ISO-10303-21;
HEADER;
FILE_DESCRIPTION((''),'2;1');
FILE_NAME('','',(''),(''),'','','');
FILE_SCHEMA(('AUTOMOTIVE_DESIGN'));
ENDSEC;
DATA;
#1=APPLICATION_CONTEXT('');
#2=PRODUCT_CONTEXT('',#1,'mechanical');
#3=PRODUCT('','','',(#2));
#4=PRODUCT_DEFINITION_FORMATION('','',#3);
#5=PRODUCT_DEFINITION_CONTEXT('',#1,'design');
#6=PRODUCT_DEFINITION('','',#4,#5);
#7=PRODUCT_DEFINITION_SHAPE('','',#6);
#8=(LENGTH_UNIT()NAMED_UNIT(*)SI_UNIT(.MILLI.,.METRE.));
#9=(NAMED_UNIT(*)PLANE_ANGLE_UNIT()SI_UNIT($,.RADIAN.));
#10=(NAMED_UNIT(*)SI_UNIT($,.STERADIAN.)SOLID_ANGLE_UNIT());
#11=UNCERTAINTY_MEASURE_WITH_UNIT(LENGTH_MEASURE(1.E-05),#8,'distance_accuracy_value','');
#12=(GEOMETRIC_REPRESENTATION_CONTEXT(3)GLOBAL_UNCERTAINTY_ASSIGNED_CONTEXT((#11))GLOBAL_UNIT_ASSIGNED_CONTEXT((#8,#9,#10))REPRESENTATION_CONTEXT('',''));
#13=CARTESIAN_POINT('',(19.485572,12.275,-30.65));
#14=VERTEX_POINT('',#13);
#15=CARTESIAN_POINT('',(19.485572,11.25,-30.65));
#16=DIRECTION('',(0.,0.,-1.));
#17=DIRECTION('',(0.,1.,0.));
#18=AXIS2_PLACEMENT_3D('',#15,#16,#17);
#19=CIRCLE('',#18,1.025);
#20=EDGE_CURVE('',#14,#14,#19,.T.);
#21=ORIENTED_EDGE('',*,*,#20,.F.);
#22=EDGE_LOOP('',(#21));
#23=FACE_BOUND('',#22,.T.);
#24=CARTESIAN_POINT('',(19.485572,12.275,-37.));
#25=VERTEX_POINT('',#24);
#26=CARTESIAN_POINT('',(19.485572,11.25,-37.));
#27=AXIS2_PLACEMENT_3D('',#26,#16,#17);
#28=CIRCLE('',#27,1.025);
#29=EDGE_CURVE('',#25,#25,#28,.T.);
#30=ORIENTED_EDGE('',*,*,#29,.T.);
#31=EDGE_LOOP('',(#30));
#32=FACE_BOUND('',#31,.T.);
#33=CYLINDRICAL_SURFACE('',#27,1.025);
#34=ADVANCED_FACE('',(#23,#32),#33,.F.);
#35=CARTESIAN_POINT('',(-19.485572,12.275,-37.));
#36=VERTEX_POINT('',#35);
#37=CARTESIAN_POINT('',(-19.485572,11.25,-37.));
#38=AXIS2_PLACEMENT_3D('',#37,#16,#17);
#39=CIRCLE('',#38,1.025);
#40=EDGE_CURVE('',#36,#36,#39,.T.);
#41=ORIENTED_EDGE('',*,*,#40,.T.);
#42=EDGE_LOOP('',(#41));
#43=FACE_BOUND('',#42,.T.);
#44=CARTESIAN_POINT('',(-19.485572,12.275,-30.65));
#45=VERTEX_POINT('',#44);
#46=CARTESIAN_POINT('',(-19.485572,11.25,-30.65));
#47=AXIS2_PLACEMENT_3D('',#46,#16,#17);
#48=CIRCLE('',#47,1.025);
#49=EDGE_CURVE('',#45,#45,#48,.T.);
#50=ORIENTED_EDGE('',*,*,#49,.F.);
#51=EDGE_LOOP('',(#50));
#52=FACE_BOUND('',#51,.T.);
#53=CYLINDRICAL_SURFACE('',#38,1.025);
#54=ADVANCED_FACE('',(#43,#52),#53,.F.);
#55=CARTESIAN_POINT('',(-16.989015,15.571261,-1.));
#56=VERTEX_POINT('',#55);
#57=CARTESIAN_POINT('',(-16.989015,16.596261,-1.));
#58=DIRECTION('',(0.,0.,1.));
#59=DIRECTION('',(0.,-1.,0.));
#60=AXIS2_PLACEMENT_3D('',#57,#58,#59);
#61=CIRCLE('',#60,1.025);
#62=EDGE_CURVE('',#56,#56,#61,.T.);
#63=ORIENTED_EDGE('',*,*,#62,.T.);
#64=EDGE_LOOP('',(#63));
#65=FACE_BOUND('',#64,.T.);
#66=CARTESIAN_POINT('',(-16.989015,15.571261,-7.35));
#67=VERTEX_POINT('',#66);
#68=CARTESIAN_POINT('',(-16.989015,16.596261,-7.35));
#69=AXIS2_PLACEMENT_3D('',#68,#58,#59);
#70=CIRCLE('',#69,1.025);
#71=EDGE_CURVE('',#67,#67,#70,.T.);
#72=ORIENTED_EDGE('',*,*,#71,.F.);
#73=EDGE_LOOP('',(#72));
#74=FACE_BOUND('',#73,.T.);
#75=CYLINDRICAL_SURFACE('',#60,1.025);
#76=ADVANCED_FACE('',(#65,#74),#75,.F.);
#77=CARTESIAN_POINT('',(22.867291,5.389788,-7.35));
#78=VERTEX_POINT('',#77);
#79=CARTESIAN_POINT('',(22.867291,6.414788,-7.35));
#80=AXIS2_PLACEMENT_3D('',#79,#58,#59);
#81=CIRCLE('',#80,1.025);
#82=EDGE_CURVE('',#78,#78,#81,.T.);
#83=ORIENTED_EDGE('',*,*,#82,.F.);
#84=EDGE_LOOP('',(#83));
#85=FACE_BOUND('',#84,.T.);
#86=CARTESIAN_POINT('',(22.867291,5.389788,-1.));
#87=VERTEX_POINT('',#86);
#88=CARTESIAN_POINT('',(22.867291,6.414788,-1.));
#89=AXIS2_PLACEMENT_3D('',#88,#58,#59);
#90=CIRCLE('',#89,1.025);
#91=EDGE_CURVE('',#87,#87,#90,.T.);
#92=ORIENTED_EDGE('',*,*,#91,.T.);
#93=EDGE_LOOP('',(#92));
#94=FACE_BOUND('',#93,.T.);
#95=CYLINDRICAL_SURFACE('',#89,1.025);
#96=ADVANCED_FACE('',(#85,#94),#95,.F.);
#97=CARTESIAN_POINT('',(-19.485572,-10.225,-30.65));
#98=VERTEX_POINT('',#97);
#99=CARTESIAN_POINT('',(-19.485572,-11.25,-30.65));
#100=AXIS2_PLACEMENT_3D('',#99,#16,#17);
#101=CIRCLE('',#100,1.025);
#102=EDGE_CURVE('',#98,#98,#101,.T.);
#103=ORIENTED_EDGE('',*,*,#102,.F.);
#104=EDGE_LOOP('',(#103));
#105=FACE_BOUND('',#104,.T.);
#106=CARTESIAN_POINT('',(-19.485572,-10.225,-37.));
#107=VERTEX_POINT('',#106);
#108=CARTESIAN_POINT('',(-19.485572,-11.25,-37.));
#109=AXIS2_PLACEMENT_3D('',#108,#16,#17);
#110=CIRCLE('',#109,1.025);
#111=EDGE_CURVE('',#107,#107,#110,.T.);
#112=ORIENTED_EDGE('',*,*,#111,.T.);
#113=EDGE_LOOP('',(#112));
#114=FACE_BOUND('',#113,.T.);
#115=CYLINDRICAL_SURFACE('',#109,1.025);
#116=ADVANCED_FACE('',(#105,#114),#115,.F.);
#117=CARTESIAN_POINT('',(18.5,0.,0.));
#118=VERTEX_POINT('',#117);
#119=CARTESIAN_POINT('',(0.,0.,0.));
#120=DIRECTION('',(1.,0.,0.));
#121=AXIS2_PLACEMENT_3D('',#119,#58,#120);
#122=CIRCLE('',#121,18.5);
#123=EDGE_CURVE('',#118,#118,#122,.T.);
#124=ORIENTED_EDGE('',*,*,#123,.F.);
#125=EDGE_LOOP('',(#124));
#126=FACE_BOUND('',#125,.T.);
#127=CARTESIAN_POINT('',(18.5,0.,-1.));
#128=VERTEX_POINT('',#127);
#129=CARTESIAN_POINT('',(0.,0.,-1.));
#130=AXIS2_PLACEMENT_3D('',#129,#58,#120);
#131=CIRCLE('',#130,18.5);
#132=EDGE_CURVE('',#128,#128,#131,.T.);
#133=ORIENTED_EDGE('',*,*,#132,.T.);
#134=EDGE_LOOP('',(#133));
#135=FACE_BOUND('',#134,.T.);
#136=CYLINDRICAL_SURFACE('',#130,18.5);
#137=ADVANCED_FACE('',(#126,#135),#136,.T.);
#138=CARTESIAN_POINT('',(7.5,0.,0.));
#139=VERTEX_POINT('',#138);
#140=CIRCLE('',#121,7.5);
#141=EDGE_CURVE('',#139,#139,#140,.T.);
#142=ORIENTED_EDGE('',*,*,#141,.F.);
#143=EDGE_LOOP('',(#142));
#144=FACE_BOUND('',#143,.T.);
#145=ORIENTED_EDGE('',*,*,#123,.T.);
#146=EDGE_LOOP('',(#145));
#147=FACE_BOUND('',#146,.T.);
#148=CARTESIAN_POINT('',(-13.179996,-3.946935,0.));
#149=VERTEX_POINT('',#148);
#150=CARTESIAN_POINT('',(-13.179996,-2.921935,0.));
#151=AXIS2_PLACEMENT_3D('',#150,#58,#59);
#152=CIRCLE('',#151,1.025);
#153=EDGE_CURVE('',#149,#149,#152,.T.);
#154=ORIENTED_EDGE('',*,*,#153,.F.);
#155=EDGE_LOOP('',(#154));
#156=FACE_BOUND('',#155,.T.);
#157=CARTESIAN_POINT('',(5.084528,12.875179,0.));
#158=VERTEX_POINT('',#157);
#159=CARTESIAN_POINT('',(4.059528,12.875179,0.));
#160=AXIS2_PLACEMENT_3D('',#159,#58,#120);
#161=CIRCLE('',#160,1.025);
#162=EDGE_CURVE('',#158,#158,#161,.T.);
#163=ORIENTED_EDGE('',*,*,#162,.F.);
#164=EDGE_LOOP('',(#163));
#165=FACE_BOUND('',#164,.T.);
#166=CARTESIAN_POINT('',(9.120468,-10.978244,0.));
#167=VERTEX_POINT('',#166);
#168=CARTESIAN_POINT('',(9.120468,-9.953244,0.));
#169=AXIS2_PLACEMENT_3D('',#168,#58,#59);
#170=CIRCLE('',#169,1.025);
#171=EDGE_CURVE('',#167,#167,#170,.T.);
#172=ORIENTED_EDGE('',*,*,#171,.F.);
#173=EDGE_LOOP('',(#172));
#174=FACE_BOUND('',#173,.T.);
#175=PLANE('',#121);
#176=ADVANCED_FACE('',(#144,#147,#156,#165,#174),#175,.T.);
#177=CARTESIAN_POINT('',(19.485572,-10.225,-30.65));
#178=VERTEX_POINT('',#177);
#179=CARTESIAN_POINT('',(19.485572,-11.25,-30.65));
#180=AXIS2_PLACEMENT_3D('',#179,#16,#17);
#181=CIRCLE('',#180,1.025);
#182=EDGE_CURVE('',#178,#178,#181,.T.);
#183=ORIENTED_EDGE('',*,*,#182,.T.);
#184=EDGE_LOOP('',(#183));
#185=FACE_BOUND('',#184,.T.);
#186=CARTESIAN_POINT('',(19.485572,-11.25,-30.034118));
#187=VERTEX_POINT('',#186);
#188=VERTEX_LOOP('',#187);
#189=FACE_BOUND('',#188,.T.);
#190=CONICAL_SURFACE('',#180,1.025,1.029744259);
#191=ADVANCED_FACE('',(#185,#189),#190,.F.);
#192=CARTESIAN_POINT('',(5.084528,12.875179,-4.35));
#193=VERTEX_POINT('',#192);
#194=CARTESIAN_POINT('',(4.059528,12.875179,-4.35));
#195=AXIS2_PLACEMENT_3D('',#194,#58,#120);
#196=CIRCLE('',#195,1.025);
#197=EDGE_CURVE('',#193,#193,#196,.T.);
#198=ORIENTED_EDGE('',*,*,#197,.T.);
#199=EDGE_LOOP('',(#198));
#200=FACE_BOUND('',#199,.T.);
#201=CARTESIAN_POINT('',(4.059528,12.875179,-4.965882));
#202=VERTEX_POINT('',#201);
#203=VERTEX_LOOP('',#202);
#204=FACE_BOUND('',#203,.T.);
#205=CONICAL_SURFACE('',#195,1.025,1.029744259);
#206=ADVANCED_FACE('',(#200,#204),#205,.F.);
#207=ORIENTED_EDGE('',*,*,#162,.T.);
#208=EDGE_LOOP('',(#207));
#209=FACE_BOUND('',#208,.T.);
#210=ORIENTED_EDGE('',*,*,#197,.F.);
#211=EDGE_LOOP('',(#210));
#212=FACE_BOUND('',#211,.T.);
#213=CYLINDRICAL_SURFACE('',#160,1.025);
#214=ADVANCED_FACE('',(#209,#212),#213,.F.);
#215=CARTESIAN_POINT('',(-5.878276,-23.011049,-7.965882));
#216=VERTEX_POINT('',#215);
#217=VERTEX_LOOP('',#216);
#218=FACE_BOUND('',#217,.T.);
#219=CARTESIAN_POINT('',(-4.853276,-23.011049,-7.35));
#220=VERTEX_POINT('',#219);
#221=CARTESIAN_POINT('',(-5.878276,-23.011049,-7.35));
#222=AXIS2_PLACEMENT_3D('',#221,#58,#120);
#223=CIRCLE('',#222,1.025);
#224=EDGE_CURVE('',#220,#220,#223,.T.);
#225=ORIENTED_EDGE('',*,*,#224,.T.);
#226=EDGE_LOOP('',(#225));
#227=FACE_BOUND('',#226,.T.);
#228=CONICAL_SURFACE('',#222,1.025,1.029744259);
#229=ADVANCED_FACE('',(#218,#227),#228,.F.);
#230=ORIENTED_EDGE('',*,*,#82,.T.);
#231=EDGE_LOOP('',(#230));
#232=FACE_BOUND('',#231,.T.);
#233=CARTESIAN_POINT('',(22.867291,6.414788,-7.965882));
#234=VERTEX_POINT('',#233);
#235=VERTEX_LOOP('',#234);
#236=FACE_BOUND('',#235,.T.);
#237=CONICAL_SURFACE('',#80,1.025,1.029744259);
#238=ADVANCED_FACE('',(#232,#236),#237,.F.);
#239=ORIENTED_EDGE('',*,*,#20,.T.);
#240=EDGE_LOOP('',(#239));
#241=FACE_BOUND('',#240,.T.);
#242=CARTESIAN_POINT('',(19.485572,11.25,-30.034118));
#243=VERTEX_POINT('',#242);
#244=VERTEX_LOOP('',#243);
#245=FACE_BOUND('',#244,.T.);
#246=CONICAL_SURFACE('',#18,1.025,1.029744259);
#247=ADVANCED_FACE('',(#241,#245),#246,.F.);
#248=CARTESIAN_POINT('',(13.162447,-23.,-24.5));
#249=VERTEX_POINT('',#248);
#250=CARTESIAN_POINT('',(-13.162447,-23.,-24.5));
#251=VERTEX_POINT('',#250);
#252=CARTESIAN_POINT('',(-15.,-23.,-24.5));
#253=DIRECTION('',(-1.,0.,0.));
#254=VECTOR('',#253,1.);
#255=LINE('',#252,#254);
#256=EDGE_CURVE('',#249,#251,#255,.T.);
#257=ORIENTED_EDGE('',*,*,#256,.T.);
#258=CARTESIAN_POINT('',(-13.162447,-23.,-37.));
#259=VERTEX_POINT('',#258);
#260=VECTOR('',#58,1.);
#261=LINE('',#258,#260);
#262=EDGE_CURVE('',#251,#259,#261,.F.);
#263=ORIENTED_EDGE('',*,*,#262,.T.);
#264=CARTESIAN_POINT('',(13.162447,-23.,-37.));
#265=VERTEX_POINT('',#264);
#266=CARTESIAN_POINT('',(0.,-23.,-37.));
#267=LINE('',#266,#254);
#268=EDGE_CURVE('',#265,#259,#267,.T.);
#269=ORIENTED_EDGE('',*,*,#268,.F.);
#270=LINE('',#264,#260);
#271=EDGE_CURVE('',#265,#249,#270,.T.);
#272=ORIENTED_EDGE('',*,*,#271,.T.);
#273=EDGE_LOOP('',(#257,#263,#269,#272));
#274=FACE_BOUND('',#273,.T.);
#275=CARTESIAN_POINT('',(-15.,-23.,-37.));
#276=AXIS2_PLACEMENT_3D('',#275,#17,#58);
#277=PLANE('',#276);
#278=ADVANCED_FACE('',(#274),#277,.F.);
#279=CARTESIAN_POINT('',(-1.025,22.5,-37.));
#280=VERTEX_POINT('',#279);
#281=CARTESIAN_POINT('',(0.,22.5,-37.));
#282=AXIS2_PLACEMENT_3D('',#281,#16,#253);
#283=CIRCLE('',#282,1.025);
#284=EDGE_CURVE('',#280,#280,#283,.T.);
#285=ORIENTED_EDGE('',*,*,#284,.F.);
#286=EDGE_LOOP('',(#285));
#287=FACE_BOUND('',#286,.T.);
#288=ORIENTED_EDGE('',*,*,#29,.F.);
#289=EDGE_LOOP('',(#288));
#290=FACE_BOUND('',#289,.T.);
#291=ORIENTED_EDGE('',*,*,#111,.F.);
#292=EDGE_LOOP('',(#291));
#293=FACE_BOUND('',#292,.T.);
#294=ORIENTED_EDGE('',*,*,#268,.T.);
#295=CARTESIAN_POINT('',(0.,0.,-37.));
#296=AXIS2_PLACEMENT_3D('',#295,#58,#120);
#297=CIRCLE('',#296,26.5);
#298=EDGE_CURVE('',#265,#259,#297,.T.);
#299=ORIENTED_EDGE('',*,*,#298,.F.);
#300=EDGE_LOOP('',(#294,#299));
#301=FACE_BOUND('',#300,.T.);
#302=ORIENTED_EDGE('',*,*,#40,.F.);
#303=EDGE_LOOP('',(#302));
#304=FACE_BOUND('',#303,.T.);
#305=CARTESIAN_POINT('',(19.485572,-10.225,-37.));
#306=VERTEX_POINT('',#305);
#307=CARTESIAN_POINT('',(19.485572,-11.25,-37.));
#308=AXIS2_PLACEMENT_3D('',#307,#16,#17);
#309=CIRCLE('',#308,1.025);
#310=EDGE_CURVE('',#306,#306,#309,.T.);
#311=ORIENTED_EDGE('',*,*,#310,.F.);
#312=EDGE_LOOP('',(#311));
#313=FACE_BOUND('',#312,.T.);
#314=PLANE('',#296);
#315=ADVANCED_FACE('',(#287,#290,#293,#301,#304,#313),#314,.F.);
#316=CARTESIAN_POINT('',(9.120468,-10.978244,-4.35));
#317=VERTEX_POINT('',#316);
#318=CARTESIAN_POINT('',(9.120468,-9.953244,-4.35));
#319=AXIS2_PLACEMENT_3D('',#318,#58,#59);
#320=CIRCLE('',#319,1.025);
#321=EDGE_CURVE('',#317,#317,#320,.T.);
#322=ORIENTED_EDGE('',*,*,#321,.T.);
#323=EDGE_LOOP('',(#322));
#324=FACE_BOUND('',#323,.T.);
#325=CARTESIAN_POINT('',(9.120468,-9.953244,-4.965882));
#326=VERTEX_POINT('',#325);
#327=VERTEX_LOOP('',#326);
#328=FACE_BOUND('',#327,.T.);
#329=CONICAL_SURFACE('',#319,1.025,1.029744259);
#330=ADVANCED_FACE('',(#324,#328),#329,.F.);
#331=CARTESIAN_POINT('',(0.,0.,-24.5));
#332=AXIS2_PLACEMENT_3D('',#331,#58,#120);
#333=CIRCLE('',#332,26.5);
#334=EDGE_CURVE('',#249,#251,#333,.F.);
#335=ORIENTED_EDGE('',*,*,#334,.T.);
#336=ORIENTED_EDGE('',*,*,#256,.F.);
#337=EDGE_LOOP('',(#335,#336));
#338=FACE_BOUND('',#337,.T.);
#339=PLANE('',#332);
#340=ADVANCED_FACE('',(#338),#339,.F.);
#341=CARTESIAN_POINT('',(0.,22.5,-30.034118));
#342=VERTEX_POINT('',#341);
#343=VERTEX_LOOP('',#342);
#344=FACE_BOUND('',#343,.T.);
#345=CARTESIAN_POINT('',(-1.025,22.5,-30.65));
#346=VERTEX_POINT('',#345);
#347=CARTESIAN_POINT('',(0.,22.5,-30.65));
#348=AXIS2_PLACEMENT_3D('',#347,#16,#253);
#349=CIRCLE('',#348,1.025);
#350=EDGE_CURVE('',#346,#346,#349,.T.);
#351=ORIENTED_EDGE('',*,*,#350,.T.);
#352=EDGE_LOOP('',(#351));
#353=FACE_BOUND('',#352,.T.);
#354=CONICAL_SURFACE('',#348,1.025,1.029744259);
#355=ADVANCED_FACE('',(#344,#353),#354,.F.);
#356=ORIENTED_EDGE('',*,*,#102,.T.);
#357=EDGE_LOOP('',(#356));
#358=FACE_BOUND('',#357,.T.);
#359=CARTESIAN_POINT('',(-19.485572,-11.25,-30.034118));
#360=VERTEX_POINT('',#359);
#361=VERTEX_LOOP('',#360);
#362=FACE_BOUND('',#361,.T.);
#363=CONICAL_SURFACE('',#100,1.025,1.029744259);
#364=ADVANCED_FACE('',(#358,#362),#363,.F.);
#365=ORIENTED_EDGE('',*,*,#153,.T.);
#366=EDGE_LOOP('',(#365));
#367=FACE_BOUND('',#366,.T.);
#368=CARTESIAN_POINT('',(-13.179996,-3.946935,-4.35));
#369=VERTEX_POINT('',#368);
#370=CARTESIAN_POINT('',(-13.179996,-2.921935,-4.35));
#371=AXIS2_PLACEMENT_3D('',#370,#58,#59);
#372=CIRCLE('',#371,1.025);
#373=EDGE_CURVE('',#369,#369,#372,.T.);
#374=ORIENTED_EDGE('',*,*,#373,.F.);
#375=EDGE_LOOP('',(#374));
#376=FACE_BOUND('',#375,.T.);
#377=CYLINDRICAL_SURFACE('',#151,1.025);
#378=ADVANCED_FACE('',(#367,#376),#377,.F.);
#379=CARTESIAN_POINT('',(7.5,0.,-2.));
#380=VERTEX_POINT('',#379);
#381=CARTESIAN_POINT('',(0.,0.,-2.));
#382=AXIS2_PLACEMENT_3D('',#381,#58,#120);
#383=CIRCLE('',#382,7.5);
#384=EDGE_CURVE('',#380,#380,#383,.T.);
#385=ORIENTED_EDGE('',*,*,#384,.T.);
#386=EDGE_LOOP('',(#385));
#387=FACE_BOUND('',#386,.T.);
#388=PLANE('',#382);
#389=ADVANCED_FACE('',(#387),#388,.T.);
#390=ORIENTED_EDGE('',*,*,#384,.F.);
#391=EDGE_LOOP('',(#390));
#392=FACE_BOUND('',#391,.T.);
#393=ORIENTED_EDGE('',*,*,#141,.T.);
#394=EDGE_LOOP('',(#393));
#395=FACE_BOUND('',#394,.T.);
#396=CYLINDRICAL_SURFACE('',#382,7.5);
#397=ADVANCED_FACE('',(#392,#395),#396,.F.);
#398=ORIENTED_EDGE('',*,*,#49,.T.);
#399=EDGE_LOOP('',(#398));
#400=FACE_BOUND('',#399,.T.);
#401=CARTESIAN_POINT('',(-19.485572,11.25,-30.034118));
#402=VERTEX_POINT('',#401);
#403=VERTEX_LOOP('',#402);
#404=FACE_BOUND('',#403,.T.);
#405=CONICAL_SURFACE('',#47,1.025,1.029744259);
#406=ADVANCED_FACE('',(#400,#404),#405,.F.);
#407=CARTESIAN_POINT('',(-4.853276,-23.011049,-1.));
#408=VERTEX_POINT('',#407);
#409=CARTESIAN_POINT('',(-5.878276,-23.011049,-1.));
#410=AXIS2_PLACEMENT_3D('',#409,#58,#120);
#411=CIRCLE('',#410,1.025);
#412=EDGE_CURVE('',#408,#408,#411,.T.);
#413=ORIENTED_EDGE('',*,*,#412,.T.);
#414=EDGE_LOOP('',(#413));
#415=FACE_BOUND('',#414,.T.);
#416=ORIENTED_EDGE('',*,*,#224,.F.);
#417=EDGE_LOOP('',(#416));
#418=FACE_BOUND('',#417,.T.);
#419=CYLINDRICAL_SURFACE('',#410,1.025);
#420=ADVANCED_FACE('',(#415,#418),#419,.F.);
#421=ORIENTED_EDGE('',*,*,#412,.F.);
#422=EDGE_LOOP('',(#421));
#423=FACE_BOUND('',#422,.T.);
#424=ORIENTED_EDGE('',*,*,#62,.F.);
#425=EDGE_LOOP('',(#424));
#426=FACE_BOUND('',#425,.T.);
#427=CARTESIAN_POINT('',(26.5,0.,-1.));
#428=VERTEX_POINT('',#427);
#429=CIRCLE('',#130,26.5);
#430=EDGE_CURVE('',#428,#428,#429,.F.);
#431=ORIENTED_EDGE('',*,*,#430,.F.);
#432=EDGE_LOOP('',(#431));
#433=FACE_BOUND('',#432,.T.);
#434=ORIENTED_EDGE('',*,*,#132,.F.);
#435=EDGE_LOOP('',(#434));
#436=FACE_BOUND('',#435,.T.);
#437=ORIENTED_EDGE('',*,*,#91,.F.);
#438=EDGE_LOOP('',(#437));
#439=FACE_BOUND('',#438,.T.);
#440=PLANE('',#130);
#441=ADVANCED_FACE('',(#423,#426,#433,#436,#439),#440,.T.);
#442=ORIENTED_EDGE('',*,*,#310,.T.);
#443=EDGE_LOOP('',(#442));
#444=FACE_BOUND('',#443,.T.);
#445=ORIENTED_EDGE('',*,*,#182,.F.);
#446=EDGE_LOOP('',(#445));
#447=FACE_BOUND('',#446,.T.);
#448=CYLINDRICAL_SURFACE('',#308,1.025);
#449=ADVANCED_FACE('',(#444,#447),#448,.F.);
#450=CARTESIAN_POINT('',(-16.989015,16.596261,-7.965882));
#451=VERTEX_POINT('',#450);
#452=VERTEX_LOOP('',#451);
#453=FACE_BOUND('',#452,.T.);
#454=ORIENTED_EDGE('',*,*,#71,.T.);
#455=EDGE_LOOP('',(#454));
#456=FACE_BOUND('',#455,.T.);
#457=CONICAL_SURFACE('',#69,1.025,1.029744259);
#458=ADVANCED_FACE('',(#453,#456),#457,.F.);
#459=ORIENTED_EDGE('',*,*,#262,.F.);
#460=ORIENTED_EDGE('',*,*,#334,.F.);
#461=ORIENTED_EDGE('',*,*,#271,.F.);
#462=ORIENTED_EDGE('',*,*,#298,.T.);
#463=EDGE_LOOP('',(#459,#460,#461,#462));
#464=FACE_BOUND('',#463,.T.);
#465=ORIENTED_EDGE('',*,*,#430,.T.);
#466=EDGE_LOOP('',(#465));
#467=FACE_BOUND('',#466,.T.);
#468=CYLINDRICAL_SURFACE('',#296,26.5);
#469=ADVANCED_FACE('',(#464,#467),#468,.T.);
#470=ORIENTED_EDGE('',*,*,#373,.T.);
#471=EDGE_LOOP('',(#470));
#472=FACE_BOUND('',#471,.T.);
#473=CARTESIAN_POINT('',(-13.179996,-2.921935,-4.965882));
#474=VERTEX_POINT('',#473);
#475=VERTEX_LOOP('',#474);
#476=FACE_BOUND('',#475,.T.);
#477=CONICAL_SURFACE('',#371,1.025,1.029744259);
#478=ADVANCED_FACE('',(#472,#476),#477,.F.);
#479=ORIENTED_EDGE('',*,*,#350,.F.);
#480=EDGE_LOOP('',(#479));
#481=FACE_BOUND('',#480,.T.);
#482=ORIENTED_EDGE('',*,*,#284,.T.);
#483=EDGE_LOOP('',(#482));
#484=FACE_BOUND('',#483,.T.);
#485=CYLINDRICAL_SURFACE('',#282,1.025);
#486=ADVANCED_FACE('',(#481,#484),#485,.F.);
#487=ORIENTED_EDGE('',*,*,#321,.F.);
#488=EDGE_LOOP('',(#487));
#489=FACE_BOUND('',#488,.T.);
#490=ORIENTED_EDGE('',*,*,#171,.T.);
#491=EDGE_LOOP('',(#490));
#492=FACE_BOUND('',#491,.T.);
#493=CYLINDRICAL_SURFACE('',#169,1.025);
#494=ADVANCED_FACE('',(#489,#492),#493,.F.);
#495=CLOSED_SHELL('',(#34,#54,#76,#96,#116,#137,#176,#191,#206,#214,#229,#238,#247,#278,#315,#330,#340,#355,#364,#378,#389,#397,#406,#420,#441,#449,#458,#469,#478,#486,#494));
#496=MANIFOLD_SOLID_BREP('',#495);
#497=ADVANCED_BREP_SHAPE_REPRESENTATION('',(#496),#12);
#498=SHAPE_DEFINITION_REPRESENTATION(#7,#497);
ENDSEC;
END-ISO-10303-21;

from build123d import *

# Parameters (mm, degrees)
SKETCH3_R           = 26.5
BOSS_EXTRUDE1_DEPTH = 37
SKETCH4_OUTSIDE_W   = 71.718
SKETCH4_OUTSIDE_H   = 71.718
SKETCH4_OUTSIDE_R   = 18.5
CUT_EXTRUDE1_DEPTH  = 1
SKETCH5_R           = 7.5
CUT_EXTRUDE2_DEPTH  = 2
CUT_EXTRUDE3_START  = -24.5
SKETCH6_W           = 30
SKETCH6_H           = 10
CUT_EXTRUDE3_DEPTH  = 29.16402947
CIRPATTERN1_COUNT   = 3
CIRPATTERN2_COUNT   = 3
CIRPATTERN3_COUNT   = 6


with BuildPart() as part:
    # Sketch3 → Boss-Extrude1 (new body)
    with BuildSketch(Plane.XY):
        Circle(SKETCH3_R)
    extrude(amount=-BOSS_EXTRUDE1_DEPTH)

    # Sketch4 outside → Cut-Extrude1 (cut)
    with BuildSketch(Plane.XY):
        Rectangle(SKETCH4_OUTSIDE_W, SKETCH4_OUTSIDE_H)
        Circle(SKETCH4_OUTSIDE_R, mode=Mode.SUBTRACT)
    extrude(amount=-CUT_EXTRUDE1_DEPTH, mode=Mode.SUBTRACT)

    # Sketch5 → Cut-Extrude2 (cut)
    with BuildSketch(Plane.XY):
        Circle(SKETCH5_R)
    extrude(amount=-CUT_EXTRUDE2_DEPTH, mode=Mode.SUBTRACT)

    # Sketch6 → Cut-Extrude3 (cut, through all)
    with BuildSketch(Plane.XY.offset(CUT_EXTRUDE3_START)):
        with Locations((0, -28)):
            Rectangle(SKETCH6_W, SKETCH6_H)
    extrude(amount=-CUT_EXTRUDE3_DEPTH, mode=Mode.SUBTRACT)

    # Sketch8 → M2.5x0.45 Tapped Hole1 (revolve, cut)
    with BuildSketch(Plane(origin=(-5.878275914, -23.011048917, -1), x_dir=(0, -1, 0), z_dir=(1, 0, 0))):
        Polygon((0, 0), (0, 6.965882135), (1.025, 6.35), (1.025, 0), align=None)
    m2_5x0_45_tapped_hole1 = revolve(axis=Axis((-5.878275914, -23.011048917, 5.35), (0, 0, -1)), mode=Mode.SUBTRACT)

    # Sketch10 → M2.5x0.45 Tapped Hole2 (revolve, cut)
    with BuildSketch(Plane(origin=(4.059528293, 12.875178835, 0), x_dir=(0, -1, 0), z_dir=(1, 0, 0))):
        Polygon((0, 0), (0, 4.965882135), (1.025, 4.35), (1.025, 0), align=None)
    m2_5x0_45_tapped_hole2 = revolve(axis=Axis((4.059528293, 12.875178835, 6.35), (0, 0, -1)), mode=Mode.SUBTRACT)

    # Sketch12 → M2.5x0.45 Tapped Hole3 (revolve, cut)
    with BuildSketch(Plane(origin=(0, 22.5, -37), x_dir=(0, 1, 0), z_dir=(1, 0, 0))):
        Polygon((0, 0), (0, 6.965882135), (1.025, 6.35), (1.025, 0), align=None)
    m2_5x0_45_tapped_hole3 = revolve(axis=Axis((0, 22.5, -43.35), (0, 0, 1)), mode=Mode.SUBTRACT)

    # CirPattern1: M2.5x0.45 Tapped Hole1 ×3 about axis
    cirpattern1_axis = Axis((0, 0, 50.701413821), (0, 0, -1))
    for i in range(1, CIRPATTERN1_COUNT):
        add(m2_5x0_45_tapped_hole1.rotate(cirpattern1_axis, i * 360 / CIRPATTERN1_COUNT), mode=Mode.SUBTRACT)

    # CirPattern2: M2.5x0.45 Tapped Hole2 ×3 about axis
    cirpattern2_axis = Axis((0, 0, 50.701413821), (0, 0, -1))
    for i in range(1, CIRPATTERN2_COUNT):
        add(m2_5x0_45_tapped_hole2.rotate(cirpattern2_axis, i * 360 / CIRPATTERN2_COUNT), mode=Mode.SUBTRACT)

    # CirPattern3: M2.5x0.45 Tapped Hole3 ×6 about axis, 1 skipped
    cirpattern3_axis = Axis((0, 0, 50.701413821), (0, 0, -1))
    add([m2_5x0_45_tapped_hole3.rotate(cirpattern3_axis, i * 360 / CIRPATTERN3_COUNT) for i in range(1, CIRPATTERN3_COUNT) if i not in (3,)], mode=Mode.SUBTRACT)


solid = part.part
